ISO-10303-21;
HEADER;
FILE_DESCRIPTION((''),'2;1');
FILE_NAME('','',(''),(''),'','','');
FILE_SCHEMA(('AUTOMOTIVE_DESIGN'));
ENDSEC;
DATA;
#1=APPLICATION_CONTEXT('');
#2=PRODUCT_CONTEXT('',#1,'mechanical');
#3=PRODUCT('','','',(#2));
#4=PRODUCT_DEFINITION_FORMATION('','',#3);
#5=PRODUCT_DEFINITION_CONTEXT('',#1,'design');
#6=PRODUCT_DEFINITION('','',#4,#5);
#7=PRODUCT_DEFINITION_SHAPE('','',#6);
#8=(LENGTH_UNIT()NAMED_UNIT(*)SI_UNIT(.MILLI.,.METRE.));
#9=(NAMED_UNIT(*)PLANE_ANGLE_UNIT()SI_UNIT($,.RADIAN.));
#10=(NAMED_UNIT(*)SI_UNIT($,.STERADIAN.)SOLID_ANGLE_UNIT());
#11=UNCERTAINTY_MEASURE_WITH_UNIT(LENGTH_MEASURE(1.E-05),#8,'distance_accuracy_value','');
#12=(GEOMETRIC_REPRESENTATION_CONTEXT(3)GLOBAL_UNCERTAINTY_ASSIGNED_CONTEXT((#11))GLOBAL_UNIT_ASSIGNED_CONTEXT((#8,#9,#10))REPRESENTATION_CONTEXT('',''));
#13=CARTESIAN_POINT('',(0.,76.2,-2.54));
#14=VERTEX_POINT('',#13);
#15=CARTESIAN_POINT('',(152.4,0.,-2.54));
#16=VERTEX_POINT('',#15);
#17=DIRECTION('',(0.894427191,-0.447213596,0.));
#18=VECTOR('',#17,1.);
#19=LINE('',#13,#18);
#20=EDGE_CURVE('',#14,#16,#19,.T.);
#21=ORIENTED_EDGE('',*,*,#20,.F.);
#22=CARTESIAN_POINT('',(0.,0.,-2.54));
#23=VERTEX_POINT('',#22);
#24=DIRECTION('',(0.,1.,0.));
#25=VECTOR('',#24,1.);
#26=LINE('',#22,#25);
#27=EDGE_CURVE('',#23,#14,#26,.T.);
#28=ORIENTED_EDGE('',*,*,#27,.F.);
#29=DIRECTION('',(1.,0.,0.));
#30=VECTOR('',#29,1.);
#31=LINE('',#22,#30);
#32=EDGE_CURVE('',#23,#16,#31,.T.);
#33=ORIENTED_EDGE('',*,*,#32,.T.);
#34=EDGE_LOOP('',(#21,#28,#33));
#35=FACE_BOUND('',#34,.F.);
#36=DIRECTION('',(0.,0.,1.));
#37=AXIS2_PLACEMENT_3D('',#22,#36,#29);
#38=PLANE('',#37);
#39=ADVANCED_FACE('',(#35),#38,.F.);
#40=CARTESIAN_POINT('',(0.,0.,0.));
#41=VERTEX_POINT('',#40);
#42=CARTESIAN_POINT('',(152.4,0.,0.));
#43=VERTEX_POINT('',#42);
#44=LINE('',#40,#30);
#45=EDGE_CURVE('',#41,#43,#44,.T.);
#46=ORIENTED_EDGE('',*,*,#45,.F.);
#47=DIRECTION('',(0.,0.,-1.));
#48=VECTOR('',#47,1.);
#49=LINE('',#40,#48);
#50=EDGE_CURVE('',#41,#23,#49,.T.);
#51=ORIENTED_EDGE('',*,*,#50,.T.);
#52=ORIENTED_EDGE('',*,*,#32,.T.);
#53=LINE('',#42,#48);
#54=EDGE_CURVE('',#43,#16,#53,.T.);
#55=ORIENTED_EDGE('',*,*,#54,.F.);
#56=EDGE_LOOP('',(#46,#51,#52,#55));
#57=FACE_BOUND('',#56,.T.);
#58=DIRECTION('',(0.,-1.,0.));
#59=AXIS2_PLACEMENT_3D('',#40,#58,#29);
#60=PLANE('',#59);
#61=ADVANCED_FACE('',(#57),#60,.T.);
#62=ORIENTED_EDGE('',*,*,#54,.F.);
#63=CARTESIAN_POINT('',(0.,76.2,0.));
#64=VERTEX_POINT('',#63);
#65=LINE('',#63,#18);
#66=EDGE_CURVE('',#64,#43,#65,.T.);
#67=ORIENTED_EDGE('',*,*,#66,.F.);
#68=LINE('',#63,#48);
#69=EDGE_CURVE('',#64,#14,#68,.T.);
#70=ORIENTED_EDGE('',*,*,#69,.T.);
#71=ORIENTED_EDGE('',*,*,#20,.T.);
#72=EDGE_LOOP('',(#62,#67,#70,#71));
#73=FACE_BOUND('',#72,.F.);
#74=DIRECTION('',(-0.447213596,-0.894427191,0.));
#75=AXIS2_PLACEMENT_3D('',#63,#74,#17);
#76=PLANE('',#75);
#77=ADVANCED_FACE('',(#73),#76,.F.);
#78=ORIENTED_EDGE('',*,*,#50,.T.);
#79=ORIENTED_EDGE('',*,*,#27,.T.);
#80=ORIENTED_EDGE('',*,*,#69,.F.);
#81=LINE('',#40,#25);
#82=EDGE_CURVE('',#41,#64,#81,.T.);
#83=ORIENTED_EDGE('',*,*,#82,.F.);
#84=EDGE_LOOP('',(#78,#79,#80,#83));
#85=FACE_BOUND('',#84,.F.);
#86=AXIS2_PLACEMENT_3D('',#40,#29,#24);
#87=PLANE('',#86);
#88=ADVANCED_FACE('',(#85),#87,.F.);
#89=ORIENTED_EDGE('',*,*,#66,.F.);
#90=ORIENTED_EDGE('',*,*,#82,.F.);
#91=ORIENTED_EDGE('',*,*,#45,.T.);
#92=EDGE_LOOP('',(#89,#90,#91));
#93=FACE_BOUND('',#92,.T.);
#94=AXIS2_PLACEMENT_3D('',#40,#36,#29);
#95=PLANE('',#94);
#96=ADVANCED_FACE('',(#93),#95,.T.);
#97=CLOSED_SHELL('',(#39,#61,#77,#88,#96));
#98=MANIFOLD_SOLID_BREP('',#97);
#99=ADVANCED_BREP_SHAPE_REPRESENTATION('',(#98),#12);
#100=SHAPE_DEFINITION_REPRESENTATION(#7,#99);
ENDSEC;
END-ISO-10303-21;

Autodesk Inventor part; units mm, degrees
ref_plane "YZ Plane" through (0, 0, 0) normal (1, 0, 0) x (0, 1, 0)
ref_plane "XZ Plane" through (0, 0, 0) normal (0, 1, 0) x (-1, 0, 0)
ref_plane "XY Plane" through (0, 0, 0) normal (0, 0, 1) x (1, 0, 0)
sketch "Sketch1" plane through (0, 0, 0) normal (0, 0, 1) x (1, 0, 0)
  line L0 (0, 0) -> (152.4, 0)
  line L1 (0, 0) -> (0, 76.2)
  line L2 (0, 76.2) -> (152.4, 0)
  dimension "d0" = 152.4
  dimension "d1" = 76.2
extrude "Extrusion1" add sketch "Sketch1" against normal blind 2.54
properties part number "Triangle support plate"
